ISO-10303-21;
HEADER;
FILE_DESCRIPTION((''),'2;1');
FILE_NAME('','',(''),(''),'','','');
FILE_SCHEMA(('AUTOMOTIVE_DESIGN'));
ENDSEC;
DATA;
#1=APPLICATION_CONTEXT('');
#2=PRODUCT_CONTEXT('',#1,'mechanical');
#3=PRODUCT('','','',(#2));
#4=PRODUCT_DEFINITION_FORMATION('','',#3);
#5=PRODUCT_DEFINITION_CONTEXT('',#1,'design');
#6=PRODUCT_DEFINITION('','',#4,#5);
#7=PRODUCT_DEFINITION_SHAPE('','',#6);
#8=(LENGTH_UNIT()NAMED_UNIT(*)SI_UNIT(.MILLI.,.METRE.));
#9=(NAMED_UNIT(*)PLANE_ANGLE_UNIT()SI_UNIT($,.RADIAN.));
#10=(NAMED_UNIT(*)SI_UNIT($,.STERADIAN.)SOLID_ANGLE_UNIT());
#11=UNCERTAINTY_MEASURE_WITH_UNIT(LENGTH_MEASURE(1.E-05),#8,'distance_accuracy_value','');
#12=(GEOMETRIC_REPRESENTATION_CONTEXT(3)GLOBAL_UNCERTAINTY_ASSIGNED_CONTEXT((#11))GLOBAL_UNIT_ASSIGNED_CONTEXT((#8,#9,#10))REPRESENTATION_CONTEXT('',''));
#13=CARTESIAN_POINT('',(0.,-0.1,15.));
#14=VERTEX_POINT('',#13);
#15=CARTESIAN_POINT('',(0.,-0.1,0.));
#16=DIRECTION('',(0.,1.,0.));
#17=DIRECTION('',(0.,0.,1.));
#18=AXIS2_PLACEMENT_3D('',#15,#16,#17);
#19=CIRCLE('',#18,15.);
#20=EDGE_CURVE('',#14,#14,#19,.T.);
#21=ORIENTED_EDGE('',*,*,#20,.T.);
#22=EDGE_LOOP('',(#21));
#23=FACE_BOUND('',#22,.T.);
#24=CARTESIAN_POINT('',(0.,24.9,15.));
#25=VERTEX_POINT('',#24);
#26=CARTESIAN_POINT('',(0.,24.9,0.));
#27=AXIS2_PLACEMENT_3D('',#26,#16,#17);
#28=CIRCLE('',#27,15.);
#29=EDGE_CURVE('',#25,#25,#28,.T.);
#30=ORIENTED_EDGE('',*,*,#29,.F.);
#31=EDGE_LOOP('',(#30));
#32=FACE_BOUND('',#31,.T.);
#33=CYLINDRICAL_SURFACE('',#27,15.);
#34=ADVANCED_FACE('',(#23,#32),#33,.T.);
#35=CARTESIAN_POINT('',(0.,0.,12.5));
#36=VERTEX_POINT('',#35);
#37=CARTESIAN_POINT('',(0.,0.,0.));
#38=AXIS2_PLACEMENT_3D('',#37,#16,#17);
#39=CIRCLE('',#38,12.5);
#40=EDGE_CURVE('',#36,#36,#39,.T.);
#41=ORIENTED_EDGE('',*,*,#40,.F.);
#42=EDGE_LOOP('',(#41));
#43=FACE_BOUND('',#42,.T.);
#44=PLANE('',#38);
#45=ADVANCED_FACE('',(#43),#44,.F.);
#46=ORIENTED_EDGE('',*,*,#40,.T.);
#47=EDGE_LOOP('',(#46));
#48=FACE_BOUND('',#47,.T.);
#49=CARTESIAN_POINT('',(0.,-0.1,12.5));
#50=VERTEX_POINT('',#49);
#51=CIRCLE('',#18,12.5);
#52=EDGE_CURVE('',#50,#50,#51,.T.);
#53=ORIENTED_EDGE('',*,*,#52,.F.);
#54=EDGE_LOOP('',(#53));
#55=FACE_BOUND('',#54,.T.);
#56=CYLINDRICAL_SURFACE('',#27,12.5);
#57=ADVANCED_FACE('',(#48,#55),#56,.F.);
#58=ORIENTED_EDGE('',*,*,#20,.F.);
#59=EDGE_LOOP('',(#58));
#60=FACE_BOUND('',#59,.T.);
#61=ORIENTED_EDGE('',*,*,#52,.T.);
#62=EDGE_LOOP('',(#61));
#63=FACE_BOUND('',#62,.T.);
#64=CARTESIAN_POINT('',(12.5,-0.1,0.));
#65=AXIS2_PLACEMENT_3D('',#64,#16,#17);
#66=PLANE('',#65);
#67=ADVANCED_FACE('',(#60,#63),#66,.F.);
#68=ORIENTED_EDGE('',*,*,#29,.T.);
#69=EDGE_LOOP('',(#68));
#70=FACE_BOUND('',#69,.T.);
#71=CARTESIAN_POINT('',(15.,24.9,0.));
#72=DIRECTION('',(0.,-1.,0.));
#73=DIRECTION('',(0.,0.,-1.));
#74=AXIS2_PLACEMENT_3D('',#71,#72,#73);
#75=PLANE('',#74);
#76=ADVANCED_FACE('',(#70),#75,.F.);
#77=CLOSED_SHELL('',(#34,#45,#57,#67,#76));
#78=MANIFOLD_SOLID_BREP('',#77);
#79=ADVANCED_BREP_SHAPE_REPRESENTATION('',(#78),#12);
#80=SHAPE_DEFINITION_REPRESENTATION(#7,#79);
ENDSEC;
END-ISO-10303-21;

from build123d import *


with BuildPart() as part:
    # Esquisse1 → Révolution1 (revolve)
    with BuildSketch(Plane.XY):
        Polygon((0, 0), (12.5, 0), (12.5, -0.1), (15, -0.1), (15, 24.9), (0, 24.9), align=None)
    revolve(axis=Axis((0, 24.9, 0), (0, -1, 0)))


solid = part.part
